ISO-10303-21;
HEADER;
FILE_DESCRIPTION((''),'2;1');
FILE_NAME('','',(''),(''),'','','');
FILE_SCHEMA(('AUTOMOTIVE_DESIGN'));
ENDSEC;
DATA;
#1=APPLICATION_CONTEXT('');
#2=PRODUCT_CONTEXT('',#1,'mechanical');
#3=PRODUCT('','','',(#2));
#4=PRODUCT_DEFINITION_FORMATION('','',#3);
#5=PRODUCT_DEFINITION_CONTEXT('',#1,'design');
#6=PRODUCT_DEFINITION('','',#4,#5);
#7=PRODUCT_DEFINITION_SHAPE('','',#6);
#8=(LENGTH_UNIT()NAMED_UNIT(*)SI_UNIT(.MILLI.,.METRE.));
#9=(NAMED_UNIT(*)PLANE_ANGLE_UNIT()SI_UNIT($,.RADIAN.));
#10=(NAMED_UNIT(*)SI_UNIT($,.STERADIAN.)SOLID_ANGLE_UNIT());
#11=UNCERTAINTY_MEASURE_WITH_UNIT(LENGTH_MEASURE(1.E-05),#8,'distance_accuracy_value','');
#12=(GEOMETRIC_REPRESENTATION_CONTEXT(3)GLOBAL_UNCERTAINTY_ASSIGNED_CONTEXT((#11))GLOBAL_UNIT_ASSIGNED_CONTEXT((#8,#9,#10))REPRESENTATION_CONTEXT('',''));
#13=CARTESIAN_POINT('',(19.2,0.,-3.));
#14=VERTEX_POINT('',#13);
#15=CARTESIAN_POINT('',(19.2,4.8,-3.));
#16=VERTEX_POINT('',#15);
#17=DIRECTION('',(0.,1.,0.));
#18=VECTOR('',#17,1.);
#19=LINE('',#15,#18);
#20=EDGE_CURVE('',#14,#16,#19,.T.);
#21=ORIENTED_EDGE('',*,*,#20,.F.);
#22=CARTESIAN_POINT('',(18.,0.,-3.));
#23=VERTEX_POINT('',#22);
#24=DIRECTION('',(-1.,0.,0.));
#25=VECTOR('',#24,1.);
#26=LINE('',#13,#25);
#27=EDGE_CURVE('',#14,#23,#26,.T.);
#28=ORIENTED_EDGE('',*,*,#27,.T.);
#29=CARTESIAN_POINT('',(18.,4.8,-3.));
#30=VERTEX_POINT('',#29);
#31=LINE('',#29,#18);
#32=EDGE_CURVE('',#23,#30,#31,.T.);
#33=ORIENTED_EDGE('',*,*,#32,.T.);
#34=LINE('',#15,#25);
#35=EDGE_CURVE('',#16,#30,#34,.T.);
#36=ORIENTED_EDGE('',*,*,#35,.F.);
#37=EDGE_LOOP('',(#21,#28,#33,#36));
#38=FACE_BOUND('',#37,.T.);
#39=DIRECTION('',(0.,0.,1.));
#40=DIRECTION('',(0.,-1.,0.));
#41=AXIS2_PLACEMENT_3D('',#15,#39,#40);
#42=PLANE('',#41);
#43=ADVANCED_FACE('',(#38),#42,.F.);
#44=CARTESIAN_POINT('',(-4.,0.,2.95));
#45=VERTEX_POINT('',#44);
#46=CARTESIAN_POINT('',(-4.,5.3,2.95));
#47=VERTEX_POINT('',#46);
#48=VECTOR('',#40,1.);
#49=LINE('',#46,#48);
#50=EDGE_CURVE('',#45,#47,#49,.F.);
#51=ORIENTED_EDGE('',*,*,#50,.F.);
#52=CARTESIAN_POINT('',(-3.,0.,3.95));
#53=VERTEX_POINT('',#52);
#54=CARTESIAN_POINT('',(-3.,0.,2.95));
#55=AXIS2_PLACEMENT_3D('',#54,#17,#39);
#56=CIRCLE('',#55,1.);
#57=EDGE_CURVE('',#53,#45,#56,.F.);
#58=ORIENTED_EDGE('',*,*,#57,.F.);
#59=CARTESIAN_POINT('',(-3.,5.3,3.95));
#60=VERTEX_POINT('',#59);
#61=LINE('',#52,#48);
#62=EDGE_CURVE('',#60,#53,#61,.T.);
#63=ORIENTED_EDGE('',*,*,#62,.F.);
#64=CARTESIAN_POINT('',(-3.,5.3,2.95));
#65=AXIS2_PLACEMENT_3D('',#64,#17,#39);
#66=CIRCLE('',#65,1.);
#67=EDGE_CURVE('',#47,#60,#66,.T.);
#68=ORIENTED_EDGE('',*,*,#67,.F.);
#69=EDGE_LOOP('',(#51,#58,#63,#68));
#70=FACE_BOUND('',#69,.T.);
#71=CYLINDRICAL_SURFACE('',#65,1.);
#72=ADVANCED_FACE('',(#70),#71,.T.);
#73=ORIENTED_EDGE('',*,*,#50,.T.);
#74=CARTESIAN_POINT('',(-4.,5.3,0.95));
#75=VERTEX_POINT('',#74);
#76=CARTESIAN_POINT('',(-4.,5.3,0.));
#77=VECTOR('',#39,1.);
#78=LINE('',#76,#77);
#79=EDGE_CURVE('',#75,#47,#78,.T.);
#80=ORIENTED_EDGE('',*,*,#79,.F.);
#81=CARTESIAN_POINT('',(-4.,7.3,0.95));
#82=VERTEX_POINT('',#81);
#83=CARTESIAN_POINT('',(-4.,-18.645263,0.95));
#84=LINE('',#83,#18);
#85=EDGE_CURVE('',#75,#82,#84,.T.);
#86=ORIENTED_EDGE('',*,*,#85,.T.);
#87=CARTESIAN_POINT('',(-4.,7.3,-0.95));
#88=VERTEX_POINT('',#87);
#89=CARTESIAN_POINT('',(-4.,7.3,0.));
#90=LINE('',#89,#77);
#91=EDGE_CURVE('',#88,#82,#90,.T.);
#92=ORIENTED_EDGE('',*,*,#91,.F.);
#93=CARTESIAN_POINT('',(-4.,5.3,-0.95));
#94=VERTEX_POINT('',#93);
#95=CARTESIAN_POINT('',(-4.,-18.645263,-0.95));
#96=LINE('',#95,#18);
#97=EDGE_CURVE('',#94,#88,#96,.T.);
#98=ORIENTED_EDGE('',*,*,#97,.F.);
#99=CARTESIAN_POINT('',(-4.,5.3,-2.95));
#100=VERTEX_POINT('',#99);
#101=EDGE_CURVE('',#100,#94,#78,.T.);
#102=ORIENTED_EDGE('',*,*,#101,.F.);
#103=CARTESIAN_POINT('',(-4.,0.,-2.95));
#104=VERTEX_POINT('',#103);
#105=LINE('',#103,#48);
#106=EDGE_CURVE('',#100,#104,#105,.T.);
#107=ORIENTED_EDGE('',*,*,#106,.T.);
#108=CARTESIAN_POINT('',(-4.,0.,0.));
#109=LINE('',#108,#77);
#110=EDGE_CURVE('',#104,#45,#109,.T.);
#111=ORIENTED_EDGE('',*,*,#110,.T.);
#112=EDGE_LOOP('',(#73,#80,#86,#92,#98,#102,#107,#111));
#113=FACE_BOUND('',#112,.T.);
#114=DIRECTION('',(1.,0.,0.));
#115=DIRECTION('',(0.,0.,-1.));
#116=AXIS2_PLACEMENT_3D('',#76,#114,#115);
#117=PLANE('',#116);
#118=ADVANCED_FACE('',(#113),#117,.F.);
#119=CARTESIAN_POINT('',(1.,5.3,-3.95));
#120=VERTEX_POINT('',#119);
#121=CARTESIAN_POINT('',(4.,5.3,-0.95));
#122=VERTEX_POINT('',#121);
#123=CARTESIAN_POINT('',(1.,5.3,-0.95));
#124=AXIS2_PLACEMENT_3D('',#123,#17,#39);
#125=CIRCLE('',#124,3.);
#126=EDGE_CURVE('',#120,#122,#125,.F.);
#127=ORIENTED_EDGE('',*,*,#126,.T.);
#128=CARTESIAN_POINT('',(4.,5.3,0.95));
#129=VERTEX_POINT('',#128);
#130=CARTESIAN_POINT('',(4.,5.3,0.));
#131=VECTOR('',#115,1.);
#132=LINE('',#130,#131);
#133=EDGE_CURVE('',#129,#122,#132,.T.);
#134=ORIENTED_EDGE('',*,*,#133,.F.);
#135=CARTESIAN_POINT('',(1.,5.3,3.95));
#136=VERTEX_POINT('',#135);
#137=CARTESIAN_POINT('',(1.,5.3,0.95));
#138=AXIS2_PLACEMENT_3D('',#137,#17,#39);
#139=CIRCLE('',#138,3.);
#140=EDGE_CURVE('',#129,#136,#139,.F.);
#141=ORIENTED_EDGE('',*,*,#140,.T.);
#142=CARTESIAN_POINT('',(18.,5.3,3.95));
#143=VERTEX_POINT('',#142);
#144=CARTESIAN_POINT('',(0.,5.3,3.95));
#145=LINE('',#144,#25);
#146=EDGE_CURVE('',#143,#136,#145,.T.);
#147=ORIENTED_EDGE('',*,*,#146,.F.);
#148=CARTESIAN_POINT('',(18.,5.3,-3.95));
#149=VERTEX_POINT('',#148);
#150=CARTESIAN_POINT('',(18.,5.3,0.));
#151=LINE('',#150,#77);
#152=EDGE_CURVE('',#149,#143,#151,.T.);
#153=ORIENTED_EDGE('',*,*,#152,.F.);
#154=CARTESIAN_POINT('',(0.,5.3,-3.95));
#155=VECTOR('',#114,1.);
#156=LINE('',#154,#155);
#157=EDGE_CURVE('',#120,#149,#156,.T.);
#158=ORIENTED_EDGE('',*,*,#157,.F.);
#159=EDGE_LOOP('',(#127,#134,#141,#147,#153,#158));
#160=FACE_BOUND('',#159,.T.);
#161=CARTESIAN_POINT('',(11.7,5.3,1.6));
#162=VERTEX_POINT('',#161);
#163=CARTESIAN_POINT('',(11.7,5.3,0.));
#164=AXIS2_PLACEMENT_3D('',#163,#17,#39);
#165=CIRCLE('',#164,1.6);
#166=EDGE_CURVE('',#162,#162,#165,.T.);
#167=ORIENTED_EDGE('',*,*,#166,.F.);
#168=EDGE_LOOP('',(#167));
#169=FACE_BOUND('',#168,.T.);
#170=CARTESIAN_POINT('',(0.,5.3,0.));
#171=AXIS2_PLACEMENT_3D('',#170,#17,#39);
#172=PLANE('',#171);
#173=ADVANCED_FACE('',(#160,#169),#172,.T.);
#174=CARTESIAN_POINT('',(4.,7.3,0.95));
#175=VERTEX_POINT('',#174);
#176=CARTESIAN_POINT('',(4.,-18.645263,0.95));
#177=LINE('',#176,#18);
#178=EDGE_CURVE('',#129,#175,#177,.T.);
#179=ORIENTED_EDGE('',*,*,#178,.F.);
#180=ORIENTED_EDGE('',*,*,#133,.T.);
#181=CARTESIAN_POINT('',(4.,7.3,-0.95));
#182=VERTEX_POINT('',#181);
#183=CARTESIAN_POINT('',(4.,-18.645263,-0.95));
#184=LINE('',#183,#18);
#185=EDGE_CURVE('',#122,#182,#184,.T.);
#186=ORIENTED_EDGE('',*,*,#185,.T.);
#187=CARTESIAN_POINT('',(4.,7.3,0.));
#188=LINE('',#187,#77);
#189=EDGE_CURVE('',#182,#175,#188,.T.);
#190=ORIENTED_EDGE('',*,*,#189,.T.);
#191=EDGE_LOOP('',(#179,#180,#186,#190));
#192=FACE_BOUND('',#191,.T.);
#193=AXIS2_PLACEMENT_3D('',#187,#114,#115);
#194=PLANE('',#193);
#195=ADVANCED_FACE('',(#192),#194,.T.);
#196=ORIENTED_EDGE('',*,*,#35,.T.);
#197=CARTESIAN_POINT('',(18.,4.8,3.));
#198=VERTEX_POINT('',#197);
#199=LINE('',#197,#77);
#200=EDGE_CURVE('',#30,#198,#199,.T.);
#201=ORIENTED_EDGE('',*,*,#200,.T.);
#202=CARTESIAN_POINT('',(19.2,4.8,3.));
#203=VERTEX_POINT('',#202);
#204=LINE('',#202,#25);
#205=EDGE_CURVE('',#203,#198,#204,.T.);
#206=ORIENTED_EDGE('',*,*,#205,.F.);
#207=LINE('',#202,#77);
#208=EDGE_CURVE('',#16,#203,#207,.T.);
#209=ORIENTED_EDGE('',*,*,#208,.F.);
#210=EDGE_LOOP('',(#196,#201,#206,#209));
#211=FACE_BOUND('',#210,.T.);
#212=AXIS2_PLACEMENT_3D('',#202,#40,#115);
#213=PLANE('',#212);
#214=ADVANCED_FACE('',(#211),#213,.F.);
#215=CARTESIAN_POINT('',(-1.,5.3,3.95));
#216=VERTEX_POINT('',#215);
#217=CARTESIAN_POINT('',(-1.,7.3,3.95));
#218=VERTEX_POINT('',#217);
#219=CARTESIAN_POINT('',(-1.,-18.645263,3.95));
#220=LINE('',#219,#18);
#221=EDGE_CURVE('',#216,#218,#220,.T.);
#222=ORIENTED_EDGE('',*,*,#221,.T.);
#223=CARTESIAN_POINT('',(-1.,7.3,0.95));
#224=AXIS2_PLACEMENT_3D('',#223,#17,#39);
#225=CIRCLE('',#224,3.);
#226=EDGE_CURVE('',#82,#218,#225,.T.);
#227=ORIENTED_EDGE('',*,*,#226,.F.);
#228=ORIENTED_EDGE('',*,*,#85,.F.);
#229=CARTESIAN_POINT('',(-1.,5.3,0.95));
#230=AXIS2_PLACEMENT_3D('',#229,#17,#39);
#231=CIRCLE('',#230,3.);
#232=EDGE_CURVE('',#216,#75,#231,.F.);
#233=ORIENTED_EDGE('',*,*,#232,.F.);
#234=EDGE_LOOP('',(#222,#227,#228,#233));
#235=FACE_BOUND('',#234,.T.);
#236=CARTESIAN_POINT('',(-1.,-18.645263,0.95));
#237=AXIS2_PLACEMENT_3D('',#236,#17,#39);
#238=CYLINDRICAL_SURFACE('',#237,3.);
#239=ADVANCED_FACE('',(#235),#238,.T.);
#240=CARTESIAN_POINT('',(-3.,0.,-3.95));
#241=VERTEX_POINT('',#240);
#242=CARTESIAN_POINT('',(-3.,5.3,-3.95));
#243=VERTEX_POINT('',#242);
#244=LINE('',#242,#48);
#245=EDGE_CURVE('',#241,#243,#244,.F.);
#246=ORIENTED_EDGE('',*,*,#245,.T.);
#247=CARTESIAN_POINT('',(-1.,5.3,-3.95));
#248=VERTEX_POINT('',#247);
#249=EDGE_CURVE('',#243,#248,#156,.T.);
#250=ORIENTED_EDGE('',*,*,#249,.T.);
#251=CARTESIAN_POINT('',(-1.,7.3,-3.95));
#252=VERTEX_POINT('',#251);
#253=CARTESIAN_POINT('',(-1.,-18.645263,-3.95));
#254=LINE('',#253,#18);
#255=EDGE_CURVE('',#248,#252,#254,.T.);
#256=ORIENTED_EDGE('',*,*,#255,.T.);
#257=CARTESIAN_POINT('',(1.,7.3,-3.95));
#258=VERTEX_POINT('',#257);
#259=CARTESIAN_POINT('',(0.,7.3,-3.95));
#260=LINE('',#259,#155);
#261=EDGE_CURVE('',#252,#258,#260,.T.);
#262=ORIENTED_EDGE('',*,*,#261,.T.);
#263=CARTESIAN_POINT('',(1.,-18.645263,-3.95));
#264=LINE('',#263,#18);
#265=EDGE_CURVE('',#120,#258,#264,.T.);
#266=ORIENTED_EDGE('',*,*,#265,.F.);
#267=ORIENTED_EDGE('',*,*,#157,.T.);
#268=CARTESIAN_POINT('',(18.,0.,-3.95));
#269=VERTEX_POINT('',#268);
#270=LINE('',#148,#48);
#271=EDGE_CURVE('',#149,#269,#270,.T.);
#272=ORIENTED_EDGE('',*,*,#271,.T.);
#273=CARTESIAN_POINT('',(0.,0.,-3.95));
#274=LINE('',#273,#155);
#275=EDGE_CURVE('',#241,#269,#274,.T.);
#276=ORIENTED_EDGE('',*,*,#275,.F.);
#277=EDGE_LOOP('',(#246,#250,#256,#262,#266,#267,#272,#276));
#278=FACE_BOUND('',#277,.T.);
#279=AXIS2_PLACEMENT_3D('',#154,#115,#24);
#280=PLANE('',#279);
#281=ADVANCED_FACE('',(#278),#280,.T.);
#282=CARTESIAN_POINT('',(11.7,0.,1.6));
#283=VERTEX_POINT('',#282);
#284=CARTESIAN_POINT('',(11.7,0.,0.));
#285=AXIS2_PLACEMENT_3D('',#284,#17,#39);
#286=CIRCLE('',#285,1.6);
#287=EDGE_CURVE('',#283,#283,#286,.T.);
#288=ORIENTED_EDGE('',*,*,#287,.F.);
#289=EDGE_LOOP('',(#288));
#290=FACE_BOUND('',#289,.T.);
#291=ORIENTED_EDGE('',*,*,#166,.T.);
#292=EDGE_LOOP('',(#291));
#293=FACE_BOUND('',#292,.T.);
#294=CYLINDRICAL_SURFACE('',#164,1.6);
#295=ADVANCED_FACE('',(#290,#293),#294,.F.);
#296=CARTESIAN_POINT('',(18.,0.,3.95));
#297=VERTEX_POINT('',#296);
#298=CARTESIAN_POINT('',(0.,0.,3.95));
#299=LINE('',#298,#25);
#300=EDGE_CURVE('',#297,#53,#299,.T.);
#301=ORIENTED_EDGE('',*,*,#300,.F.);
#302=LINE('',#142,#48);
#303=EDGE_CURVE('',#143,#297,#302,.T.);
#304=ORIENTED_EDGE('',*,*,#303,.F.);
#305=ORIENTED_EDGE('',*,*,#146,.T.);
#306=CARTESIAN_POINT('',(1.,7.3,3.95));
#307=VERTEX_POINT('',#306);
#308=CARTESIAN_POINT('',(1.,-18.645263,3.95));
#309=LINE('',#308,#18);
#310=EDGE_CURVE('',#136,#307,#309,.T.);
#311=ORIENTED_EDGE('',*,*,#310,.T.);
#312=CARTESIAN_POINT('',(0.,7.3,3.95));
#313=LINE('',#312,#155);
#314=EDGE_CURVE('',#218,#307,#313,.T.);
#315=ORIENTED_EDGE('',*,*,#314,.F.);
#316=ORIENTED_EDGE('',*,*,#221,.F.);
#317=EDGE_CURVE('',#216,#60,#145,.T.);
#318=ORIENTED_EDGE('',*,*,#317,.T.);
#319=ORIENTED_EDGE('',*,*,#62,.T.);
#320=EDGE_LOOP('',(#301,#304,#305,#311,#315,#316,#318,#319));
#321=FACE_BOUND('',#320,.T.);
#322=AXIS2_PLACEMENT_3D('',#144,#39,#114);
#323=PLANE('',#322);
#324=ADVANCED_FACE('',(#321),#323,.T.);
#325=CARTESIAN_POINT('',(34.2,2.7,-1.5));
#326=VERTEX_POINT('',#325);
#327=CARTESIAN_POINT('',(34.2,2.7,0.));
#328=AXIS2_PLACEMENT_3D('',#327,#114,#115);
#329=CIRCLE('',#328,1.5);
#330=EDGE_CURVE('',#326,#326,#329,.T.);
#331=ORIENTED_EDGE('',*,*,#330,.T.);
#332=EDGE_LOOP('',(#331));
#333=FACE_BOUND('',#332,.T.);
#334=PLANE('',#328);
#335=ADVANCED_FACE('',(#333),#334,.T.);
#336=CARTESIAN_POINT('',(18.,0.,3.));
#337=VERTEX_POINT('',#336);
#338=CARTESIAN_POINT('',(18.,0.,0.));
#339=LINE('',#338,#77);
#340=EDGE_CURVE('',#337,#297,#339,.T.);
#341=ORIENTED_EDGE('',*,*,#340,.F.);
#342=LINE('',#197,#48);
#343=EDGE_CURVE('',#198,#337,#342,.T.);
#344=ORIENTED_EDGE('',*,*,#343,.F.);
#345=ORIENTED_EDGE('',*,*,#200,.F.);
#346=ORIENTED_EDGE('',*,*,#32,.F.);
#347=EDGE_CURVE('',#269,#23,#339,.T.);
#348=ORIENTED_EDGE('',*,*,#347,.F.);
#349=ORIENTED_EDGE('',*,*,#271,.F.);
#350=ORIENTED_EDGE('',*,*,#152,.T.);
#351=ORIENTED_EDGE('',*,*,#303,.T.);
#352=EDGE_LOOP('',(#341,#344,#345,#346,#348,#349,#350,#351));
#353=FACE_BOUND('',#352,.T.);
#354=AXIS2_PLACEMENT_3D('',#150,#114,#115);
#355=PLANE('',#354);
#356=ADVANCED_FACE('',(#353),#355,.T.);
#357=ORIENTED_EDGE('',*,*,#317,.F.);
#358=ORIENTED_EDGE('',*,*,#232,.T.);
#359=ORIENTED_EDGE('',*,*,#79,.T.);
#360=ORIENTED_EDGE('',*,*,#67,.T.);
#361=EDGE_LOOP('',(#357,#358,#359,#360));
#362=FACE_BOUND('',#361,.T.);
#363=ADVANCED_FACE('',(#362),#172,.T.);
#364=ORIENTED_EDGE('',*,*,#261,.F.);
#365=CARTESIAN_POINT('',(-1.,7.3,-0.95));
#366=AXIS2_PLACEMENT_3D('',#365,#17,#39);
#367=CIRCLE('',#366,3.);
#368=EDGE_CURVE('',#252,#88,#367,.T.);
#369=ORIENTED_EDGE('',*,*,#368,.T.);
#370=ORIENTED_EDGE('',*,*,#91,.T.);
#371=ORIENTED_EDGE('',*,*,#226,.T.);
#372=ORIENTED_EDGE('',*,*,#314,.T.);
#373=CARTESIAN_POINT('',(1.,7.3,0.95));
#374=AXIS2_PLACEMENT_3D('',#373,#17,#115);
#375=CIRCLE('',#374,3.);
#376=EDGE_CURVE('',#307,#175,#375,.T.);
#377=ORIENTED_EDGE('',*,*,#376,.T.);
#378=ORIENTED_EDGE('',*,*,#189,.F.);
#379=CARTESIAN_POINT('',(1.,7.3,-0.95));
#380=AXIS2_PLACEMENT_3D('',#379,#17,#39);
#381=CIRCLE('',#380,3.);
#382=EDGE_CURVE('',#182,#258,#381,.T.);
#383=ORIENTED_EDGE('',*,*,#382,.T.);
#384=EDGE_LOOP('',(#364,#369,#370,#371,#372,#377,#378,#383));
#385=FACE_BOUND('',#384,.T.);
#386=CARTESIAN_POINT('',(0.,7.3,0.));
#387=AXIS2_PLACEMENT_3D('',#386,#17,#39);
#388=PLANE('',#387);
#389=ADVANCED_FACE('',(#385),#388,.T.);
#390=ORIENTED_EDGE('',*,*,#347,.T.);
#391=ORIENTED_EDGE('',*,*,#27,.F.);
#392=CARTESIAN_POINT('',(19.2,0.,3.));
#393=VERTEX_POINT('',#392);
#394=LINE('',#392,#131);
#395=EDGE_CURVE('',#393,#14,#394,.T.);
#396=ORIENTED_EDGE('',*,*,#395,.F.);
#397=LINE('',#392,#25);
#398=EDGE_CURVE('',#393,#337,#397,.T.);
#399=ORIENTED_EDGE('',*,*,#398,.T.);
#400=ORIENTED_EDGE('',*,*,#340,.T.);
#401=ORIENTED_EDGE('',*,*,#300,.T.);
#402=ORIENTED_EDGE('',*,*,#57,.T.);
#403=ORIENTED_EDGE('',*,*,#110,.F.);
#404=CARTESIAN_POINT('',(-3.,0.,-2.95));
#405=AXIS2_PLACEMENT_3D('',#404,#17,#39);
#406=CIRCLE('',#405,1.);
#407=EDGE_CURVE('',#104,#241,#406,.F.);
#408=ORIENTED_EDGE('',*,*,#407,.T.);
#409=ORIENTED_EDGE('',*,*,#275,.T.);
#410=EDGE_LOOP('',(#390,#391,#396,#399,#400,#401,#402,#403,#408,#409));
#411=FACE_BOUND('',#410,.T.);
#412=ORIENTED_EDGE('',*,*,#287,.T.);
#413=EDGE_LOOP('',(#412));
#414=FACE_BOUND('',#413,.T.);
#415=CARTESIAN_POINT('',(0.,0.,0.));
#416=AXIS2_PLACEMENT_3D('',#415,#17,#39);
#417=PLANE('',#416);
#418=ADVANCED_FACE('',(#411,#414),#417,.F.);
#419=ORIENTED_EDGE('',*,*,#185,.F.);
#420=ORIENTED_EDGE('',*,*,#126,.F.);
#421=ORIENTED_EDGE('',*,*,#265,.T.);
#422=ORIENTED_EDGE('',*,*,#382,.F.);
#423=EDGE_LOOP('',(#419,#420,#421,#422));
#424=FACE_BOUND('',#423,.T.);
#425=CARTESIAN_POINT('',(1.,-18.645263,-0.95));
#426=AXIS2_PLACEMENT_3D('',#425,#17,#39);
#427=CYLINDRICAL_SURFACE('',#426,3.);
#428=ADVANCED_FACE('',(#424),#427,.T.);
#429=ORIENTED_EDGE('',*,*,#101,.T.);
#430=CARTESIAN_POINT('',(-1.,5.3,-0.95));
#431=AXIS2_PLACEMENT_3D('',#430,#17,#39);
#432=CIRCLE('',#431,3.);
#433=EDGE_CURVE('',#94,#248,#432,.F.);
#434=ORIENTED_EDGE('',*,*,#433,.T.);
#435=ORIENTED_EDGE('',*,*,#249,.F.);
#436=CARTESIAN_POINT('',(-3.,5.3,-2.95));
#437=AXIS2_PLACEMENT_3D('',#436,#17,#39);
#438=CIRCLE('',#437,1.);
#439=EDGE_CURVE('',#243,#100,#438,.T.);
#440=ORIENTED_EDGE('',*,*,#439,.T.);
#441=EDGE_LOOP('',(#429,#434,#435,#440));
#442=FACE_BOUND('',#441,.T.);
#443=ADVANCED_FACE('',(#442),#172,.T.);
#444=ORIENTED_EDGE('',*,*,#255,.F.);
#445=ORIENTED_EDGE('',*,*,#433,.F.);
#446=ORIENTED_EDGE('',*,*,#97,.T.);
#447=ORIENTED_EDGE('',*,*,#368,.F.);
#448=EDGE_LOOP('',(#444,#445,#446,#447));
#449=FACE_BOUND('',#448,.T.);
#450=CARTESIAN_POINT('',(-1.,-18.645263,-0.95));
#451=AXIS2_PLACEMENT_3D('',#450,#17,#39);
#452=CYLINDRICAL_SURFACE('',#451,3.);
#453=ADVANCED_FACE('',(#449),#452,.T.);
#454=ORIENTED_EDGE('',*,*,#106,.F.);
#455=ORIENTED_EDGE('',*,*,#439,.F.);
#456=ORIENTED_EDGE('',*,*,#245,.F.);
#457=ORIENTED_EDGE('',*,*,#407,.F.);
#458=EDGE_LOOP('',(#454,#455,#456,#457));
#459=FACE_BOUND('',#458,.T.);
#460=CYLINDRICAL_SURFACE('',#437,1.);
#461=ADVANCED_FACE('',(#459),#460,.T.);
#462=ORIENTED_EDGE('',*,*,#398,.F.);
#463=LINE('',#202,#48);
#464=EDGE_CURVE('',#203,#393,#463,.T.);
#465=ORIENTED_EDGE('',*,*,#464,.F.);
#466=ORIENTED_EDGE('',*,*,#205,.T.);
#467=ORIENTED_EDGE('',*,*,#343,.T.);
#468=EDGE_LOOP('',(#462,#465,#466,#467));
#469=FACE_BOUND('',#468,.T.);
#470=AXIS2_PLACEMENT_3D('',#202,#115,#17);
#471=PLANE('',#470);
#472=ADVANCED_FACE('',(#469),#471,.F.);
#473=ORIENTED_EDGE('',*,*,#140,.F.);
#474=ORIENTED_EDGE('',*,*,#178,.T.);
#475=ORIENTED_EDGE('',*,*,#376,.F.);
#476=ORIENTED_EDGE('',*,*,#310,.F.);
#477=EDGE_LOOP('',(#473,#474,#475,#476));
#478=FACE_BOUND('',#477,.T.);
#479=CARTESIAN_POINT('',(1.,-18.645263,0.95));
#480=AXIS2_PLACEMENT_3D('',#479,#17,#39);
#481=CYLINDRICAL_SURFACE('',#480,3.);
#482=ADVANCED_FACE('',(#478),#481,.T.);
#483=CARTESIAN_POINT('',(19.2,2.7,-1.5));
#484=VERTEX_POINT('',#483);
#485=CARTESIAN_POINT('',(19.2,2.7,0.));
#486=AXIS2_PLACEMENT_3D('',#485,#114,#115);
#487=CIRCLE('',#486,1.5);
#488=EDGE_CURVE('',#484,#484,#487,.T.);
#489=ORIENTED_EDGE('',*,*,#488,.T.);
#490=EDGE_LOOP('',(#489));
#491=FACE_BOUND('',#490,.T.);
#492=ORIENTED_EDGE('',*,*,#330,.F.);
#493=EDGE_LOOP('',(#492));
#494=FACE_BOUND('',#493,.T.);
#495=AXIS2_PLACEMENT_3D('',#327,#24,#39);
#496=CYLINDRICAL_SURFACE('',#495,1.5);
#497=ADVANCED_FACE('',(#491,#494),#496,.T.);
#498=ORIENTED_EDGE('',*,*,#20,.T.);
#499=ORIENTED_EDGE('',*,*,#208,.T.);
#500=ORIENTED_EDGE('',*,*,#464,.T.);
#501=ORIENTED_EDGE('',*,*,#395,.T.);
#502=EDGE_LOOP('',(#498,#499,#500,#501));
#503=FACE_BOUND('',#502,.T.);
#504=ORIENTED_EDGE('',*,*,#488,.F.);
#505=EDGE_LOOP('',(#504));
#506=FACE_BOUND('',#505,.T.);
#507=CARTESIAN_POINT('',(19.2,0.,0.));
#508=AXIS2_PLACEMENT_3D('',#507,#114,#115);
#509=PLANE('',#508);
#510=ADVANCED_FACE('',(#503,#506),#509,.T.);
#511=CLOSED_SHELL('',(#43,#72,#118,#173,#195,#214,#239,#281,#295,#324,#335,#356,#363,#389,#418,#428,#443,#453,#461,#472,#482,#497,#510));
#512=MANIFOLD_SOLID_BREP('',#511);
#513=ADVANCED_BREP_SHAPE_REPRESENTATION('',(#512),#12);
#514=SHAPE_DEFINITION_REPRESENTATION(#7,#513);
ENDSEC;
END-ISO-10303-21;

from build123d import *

# Parameters (mm, degrees)
ESQUISSE1_W             = 14
ESQUISSE1_H             = 7.9
ESQUISSE1_W_2           = 8
BOSS_EXTRU_1_DEPTH      = 5.3
ESQUISSE1_4_W           = 8
ESQUISSE1_4_H           = 7.9
BOSS_EXTRU_2_DEPTH      = 7.3
ESQUISSE2_OUTSIDE_W     = 28.898
ESQUISSE2_OUTSIDE_H     = 14.798
ENL_V_MAT_EXTRU_2_DEPTH = 2
D_GAGEMENT_M31_D        = 3.2
CONG_1_R                = 1
ESQUISSE5_W             = 6
ESQUISSE5_H             = 4.8
BOSS_EXTRU_3_DEPTH      = 1.2
ESQUISSE6_R             = 1.5
BOSS_EXTRU_4_DEPTH      = 15


with BuildPart() as part:
    # Esquisse1 → Boss.-Extru.1 (new body)
    with BuildSketch(Plane(origin=(0, 0, 0), x_dir=(1, 0, 0), z_dir=(0, 1, 0))):
        with Locations((11, 0)):
            Rectangle(ESQUISSE1_W, ESQUISSE1_H)
        Rectangle(ESQUISSE1_W_2, ESQUISSE1_H)
    extrude(amount=BOSS_EXTRU_1_DEPTH)

    # Esquisse1<4> → Boss.-Extru.2 (add)
    with BuildSketch(Plane(origin=(0, 0, 0), x_dir=(1, 0, 0), z_dir=(0, 1, 0))):
        Rectangle(ESQUISSE1_4_W, ESQUISSE1_4_H)
    extrude(amount=BOSS_EXTRU_2_DEPTH)

    # Esquisse2 outside → Enlèv. mat.-Extru.2 (cut)
    with BuildSketch(Plane(origin=(0, 7.3, 0), x_dir=(1, 0, 0), z_dir=(0, 1, 0))):
        with Locations((7, 0)):
            Rectangle(ESQUISSE2_OUTSIDE_W, ESQUISSE2_OUTSIDE_H)
        with BuildLine():
            Line((4, -0.95), (4, 0.95))
            ThreePointArc((4, 0.95), (3.121320344, 3.071320344), (1, 3.95))
            Line((1, 3.95), (-1, 3.95))
            ThreePointArc((-1, 3.95), (-3.121320344, 3.071320344), (-4, 0.95))
            Line((-4, 0.95), (-4, -0.95))
            ThreePointArc((-4, -0.95), (-3.121320344, -3.071320344), (-1, -3.95))
            Line((-1, -3.95), (1, -3.95))
            ThreePointArc((1, -3.95), (3.121320344, -3.071320344), (4, -0.95))
        make_face(mode=Mode.SUBTRACT)
    extrude(amount=-ENL_V_MAT_EXTRU_2_DEPTH, mode=Mode.SUBTRACT)

    # Dégagement M31 (through all)
    with Locations(Plane(origin=(0, 5.3, 0), x_dir=(1, 0, 0), z_dir=(0, 1, 0))):
        with Locations((11.7, 0)):
            Hole(D_GAGEMENT_M31_D / 2)

    # Congé1
    cong_1_edges = [part.edges().sort_by_distance(p)[0] for p in [
        (-4, 2.65, 3.95),
        (-4, 2.65, -3.95),
    ]]
    fillet(cong_1_edges, radius=CONG_1_R)

    # Esquisse5 → Boss.-Extru.3 (add)
    with BuildSketch(Plane(origin=(18, 0, 0), x_dir=(0, 0, -1), z_dir=(1, 0, 0))):
        with Locations((0, 2.4)):
            Rectangle(ESQUISSE5_W, ESQUISSE5_H)
    extrude(amount=BOSS_EXTRU_3_DEPTH)

    # Esquisse6 → Boss.-Extru.4 (add)
    with BuildSketch(Plane(origin=(19.2, 0, 0), x_dir=(0, 0, -1), z_dir=(1, 0, 0))):
        with Locations((0, 2.7)):
            Circle(ESQUISSE6_R)
    extrude(amount=BOSS_EXTRU_4_DEPTH)


solid = part.part
